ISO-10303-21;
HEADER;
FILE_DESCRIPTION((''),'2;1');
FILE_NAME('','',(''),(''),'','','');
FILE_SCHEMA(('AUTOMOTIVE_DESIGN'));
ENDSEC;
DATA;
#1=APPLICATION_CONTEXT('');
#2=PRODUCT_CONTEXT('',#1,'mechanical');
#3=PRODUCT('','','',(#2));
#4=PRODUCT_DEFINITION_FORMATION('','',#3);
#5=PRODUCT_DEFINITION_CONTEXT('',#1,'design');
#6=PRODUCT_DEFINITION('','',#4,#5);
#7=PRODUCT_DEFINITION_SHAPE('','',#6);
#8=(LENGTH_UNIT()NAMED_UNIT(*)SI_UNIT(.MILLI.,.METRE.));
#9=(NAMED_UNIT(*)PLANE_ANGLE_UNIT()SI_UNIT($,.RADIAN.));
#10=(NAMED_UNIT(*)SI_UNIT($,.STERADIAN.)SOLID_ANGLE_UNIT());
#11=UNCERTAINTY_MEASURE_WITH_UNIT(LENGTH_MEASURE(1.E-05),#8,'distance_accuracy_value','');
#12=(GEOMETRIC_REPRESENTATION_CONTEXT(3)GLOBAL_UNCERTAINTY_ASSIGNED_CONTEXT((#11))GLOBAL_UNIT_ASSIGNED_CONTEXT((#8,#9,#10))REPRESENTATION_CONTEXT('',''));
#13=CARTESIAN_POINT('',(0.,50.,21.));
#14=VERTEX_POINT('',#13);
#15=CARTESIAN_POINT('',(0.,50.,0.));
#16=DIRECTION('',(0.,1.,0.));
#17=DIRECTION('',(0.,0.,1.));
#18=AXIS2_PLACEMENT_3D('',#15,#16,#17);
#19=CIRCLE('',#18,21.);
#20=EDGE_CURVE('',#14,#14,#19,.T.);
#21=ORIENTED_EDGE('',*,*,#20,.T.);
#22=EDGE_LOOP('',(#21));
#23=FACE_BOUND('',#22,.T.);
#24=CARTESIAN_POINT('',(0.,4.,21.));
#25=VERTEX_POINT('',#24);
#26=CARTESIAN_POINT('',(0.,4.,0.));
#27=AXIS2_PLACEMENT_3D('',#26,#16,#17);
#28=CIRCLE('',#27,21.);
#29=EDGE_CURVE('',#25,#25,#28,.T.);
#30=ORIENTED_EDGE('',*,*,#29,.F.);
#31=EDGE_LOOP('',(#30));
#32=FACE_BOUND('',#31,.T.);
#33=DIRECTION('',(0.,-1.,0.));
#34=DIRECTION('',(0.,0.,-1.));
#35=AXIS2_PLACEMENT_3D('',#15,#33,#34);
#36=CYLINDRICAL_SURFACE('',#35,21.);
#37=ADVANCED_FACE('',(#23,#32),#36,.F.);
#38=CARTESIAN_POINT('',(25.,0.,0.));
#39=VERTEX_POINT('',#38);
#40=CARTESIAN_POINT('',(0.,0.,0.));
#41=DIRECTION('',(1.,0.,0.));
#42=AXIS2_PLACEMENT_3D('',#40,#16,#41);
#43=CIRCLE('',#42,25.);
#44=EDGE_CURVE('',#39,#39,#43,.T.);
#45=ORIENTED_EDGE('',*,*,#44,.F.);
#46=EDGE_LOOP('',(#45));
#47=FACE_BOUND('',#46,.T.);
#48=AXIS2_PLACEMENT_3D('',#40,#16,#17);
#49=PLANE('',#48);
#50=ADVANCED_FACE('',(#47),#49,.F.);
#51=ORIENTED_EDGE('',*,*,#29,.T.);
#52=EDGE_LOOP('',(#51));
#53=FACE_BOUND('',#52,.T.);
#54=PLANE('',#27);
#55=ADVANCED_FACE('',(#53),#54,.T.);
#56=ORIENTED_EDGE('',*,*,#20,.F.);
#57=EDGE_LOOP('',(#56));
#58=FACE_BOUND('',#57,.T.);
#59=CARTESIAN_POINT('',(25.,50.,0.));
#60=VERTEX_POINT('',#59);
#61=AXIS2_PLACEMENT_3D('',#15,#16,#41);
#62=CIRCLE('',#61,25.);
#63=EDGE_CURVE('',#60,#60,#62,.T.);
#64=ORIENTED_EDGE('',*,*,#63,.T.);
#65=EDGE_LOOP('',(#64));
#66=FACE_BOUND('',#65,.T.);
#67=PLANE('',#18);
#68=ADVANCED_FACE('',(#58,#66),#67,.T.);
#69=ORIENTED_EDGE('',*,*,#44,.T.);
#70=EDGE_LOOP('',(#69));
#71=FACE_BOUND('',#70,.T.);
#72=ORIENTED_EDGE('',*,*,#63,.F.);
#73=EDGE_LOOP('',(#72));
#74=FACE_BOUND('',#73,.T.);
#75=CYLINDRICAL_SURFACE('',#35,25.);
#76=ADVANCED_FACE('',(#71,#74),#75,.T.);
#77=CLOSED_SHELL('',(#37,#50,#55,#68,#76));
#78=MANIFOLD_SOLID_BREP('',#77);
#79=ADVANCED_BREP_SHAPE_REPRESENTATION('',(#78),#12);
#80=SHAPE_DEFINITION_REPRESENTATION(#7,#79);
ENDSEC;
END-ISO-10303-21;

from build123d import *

# Parameters (mm, degrees)
SKETCH3_R           = 25
SKETCH3_R_2         = 21
EXTRUDE_THIN1_DEPTH = 50
SKETCH4_R           = 21
BOSS_EXTRUDE1_DEPTH = 4


with BuildPart() as part:
    # Sketch3 → Extrude-Thin1 (new body)
    with BuildSketch(Plane(origin=(0, 0, 0), x_dir=(1, 0, 0), z_dir=(0, 1, 0))):
        Circle(SKETCH3_R)
        Circle(SKETCH3_R_2, mode=Mode.SUBTRACT)
    extrude(amount=EXTRUDE_THIN1_DEPTH)

    # Sketch4 → Boss-Extrude1 (add)
    with BuildSketch(Plane(origin=(0, 0, 0), x_dir=(1, 0, 0), z_dir=(0, 1, 0))):
        with Locations(Location((0, 0, 0), (0, 0, 270))):
            Circle(SKETCH4_R)
    extrude(amount=BOSS_EXTRUDE1_DEPTH)


solid = part.part
